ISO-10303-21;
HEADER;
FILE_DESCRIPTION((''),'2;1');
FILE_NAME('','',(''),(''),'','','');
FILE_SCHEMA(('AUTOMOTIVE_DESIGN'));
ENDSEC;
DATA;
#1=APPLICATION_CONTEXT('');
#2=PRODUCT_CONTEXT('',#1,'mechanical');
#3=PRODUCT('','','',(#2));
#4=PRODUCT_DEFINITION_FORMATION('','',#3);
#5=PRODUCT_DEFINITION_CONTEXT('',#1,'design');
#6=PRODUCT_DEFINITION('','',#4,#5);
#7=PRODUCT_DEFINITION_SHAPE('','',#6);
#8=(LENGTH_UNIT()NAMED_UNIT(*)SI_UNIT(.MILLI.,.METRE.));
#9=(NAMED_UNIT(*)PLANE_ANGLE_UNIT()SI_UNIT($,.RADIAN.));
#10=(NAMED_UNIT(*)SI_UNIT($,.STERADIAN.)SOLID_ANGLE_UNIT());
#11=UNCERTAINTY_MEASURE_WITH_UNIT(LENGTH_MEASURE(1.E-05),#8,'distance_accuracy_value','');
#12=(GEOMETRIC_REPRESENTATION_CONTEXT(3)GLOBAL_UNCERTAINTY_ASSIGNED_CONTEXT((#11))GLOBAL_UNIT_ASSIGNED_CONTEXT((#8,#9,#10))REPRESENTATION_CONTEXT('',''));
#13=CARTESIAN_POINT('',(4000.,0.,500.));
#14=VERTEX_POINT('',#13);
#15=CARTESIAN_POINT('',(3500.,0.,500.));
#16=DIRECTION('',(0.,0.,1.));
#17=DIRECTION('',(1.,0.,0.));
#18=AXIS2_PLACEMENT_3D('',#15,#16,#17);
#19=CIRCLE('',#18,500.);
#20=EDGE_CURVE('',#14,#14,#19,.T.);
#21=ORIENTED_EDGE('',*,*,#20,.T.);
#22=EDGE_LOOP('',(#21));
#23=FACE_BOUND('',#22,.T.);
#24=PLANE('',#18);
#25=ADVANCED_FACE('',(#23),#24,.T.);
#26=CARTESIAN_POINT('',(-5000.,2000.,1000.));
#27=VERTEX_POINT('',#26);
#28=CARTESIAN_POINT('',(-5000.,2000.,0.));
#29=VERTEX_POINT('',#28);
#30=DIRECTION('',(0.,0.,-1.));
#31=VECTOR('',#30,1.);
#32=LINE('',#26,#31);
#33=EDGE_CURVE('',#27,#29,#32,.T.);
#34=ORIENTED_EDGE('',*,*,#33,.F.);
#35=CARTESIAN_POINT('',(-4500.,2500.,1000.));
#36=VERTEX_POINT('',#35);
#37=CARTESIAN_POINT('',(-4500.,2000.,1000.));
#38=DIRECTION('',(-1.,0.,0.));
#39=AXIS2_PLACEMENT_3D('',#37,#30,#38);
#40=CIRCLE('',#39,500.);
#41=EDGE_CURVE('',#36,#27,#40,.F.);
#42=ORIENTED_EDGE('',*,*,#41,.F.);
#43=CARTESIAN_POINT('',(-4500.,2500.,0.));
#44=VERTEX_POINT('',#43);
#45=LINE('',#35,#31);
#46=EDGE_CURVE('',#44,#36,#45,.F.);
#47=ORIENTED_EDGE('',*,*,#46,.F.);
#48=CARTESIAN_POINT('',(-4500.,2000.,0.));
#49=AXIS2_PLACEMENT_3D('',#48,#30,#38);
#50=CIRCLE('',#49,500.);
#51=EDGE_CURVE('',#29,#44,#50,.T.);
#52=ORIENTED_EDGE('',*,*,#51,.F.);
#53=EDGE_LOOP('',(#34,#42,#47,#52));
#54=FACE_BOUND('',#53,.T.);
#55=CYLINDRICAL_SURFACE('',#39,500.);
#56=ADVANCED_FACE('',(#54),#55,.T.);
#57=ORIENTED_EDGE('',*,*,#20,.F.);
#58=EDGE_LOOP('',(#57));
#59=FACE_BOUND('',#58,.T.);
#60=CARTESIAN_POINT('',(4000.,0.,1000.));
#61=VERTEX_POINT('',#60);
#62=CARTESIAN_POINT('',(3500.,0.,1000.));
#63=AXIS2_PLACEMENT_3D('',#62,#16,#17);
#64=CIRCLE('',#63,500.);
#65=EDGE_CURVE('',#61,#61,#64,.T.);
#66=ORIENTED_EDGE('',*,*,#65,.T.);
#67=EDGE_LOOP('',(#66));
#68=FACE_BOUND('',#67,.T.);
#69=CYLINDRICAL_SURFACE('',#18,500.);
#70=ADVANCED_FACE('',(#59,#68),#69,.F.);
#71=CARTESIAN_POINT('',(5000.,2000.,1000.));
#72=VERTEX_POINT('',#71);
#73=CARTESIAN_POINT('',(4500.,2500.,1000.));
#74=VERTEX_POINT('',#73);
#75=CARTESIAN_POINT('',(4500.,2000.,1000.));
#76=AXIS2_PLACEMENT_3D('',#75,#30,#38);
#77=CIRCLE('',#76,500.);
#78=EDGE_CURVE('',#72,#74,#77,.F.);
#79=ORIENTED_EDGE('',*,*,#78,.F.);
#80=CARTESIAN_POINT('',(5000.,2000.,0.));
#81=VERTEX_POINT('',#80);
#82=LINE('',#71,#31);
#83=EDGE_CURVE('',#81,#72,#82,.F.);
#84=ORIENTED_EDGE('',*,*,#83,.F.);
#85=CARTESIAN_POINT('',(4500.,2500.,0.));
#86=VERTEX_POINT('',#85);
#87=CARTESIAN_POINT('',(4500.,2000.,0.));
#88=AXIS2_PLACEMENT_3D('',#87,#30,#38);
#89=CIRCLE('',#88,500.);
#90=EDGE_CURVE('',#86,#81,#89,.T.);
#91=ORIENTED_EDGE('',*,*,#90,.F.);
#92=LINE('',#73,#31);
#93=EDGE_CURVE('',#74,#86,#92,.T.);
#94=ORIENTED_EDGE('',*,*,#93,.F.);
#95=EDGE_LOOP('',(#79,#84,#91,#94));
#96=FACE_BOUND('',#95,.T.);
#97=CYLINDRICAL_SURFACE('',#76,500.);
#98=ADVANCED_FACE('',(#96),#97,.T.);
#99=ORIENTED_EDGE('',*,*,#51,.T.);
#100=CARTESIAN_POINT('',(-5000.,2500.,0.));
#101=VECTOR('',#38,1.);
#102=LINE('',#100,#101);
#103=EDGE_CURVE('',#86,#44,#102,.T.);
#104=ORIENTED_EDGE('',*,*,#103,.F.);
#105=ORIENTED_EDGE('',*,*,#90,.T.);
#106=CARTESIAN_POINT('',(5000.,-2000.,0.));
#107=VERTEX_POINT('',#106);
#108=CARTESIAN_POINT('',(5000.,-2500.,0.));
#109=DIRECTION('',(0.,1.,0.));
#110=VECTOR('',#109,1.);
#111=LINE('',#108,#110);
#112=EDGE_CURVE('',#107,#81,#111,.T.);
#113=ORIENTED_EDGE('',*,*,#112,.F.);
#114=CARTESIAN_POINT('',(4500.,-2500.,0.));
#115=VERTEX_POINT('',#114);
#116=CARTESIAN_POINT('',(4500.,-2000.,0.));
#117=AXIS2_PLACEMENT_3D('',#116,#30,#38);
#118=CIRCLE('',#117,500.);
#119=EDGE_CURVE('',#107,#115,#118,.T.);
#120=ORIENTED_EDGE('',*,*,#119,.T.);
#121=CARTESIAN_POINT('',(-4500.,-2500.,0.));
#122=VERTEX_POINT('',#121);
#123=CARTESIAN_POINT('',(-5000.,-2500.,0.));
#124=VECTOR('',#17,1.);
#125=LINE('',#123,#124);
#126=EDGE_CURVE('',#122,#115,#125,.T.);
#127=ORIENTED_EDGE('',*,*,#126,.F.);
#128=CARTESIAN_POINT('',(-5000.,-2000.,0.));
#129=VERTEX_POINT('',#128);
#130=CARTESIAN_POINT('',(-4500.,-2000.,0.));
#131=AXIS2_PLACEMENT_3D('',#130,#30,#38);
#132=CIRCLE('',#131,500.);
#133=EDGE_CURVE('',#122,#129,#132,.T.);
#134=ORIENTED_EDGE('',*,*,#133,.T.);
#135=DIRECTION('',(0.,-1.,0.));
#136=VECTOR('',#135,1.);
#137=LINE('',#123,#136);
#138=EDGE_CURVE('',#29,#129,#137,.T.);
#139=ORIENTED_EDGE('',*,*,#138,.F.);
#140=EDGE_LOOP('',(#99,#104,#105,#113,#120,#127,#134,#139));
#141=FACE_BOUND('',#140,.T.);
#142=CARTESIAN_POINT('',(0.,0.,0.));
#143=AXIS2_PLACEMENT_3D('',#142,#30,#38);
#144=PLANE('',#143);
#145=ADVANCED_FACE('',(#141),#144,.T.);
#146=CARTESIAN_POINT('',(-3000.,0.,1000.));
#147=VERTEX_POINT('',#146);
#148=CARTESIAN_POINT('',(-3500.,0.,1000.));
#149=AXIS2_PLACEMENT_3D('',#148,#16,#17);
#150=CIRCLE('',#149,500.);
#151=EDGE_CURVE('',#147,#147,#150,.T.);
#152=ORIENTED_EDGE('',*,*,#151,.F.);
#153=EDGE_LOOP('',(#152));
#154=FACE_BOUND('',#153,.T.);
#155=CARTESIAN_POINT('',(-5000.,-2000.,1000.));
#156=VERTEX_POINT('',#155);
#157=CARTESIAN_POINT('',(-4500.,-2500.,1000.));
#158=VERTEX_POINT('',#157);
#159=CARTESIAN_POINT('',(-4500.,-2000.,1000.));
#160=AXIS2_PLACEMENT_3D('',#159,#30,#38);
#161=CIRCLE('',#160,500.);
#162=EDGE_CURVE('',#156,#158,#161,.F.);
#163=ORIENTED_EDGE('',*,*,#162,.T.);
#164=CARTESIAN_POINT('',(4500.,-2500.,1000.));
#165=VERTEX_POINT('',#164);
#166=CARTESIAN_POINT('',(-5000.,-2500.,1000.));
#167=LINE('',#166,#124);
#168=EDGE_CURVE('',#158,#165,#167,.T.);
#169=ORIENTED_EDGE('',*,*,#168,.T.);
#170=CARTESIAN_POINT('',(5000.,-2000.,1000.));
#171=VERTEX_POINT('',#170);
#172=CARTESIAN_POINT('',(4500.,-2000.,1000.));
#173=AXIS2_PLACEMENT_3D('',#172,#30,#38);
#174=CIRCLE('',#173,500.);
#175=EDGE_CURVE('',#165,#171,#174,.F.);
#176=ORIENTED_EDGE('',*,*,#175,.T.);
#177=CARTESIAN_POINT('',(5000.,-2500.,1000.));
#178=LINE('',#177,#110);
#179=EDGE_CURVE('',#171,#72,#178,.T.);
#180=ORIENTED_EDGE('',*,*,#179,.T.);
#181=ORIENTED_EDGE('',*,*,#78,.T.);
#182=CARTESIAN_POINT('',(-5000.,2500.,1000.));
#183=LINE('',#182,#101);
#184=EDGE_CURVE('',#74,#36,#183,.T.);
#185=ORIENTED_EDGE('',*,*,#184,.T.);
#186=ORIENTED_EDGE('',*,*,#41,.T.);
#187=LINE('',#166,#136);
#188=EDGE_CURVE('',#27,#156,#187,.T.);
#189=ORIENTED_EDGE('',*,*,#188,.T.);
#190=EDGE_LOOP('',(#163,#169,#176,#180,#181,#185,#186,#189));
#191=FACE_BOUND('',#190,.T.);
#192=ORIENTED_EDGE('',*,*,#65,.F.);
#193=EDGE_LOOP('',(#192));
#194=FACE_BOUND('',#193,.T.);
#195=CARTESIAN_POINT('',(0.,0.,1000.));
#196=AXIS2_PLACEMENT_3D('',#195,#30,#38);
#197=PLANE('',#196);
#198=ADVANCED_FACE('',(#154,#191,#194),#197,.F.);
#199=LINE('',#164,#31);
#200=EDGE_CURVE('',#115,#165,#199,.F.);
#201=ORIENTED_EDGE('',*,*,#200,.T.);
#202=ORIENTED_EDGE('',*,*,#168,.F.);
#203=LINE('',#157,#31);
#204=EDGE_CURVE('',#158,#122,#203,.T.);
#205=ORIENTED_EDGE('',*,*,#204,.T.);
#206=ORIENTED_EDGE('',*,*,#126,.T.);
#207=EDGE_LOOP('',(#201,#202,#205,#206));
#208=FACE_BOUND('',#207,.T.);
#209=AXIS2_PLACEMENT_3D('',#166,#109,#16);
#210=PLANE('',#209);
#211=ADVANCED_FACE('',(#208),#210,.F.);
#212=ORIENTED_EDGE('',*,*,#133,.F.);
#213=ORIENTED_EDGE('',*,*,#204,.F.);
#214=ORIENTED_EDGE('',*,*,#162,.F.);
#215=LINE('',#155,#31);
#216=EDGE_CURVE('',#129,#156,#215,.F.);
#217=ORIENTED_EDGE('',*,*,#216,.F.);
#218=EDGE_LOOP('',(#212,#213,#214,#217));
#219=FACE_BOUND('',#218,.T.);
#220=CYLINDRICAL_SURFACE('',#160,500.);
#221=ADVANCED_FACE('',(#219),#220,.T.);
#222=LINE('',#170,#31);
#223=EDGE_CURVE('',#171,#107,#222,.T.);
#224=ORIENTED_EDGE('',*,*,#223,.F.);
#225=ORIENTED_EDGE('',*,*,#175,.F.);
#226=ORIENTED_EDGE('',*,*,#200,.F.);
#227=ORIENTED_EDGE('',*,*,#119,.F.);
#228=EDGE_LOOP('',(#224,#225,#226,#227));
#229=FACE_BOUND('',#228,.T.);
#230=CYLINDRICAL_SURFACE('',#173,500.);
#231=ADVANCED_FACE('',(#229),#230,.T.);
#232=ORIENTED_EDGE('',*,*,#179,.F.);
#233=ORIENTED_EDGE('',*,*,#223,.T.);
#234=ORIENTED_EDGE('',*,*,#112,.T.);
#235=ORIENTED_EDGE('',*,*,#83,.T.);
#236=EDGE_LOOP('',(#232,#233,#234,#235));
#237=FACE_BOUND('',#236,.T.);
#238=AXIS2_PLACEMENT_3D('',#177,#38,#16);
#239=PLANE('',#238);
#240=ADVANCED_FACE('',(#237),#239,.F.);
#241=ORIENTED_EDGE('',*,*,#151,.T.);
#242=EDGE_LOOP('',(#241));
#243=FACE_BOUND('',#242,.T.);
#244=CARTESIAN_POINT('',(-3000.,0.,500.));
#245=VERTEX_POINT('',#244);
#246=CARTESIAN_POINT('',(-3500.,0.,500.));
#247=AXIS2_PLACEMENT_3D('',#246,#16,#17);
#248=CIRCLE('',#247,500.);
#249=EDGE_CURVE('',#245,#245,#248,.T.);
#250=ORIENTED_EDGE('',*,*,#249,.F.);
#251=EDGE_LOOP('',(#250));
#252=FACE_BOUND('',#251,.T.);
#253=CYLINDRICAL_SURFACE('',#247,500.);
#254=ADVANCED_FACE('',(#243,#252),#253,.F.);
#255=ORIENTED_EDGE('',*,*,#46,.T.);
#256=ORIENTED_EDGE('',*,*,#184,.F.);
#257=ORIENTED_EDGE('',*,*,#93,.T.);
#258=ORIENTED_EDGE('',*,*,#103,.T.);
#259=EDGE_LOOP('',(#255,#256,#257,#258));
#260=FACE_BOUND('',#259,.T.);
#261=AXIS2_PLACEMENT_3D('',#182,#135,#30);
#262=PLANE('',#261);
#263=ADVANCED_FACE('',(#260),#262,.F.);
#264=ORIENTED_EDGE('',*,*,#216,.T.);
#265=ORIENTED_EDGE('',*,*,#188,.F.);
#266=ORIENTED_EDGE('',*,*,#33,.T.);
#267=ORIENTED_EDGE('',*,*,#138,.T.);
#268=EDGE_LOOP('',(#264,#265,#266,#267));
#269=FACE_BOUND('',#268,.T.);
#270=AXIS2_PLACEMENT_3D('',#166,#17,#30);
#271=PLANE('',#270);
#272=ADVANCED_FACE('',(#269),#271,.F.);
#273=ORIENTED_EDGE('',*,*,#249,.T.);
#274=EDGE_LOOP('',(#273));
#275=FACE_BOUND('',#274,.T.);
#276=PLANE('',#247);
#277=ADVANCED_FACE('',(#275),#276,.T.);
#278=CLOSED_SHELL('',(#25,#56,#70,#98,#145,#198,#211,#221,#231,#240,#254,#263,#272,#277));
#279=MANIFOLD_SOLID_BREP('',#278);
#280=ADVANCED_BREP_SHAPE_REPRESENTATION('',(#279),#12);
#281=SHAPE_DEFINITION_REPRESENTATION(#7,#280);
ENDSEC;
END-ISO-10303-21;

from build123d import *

# Parameters (mm, degrees)
SKETCH1_W           = 10000
SKETCH1_H           = 5000
BOSS_EXTRUDE1_DEPTH = 1000
FILLET1_R           = 500
FILLET2_R           = 500
SKETCH2_R           = 500
CUT_EXTRUDE1_DEPTH  = 500


with BuildPart() as part:
    # Sketch1 → Boss-Extrude1 (new body)
    with BuildSketch(Plane.XY):
        Rectangle(SKETCH1_W, SKETCH1_H)
    extrude(amount=BOSS_EXTRUDE1_DEPTH)

    # Fillet1
    fillet1_edges = [part.edges().sort_by_distance(p)[0] for p in [
        (-5000, 2500, 500),
    ]]
    fillet(fillet1_edges, radius=FILLET1_R)

    # Fillet2
    fillet2_edges = [part.edges().sort_by_distance(p)[0] for p in [
        (5000, -2500, 500),
        (-5000, -2500, 500),
        (5000, 2500, 500),
    ]]
    fillet(fillet2_edges, radius=FILLET2_R)

    # Sketch2 → Cut-Extrude1 (cut)
    with BuildSketch(Plane.XY.offset(1000)):
        with Locations((-3500, 0)):
            Circle(SKETCH2_R)
        with Locations((3500, 0)):
            Circle(SKETCH2_R)
    extrude(amount=-CUT_EXTRUDE1_DEPTH, mode=Mode.SUBTRACT)


solid = part.part
